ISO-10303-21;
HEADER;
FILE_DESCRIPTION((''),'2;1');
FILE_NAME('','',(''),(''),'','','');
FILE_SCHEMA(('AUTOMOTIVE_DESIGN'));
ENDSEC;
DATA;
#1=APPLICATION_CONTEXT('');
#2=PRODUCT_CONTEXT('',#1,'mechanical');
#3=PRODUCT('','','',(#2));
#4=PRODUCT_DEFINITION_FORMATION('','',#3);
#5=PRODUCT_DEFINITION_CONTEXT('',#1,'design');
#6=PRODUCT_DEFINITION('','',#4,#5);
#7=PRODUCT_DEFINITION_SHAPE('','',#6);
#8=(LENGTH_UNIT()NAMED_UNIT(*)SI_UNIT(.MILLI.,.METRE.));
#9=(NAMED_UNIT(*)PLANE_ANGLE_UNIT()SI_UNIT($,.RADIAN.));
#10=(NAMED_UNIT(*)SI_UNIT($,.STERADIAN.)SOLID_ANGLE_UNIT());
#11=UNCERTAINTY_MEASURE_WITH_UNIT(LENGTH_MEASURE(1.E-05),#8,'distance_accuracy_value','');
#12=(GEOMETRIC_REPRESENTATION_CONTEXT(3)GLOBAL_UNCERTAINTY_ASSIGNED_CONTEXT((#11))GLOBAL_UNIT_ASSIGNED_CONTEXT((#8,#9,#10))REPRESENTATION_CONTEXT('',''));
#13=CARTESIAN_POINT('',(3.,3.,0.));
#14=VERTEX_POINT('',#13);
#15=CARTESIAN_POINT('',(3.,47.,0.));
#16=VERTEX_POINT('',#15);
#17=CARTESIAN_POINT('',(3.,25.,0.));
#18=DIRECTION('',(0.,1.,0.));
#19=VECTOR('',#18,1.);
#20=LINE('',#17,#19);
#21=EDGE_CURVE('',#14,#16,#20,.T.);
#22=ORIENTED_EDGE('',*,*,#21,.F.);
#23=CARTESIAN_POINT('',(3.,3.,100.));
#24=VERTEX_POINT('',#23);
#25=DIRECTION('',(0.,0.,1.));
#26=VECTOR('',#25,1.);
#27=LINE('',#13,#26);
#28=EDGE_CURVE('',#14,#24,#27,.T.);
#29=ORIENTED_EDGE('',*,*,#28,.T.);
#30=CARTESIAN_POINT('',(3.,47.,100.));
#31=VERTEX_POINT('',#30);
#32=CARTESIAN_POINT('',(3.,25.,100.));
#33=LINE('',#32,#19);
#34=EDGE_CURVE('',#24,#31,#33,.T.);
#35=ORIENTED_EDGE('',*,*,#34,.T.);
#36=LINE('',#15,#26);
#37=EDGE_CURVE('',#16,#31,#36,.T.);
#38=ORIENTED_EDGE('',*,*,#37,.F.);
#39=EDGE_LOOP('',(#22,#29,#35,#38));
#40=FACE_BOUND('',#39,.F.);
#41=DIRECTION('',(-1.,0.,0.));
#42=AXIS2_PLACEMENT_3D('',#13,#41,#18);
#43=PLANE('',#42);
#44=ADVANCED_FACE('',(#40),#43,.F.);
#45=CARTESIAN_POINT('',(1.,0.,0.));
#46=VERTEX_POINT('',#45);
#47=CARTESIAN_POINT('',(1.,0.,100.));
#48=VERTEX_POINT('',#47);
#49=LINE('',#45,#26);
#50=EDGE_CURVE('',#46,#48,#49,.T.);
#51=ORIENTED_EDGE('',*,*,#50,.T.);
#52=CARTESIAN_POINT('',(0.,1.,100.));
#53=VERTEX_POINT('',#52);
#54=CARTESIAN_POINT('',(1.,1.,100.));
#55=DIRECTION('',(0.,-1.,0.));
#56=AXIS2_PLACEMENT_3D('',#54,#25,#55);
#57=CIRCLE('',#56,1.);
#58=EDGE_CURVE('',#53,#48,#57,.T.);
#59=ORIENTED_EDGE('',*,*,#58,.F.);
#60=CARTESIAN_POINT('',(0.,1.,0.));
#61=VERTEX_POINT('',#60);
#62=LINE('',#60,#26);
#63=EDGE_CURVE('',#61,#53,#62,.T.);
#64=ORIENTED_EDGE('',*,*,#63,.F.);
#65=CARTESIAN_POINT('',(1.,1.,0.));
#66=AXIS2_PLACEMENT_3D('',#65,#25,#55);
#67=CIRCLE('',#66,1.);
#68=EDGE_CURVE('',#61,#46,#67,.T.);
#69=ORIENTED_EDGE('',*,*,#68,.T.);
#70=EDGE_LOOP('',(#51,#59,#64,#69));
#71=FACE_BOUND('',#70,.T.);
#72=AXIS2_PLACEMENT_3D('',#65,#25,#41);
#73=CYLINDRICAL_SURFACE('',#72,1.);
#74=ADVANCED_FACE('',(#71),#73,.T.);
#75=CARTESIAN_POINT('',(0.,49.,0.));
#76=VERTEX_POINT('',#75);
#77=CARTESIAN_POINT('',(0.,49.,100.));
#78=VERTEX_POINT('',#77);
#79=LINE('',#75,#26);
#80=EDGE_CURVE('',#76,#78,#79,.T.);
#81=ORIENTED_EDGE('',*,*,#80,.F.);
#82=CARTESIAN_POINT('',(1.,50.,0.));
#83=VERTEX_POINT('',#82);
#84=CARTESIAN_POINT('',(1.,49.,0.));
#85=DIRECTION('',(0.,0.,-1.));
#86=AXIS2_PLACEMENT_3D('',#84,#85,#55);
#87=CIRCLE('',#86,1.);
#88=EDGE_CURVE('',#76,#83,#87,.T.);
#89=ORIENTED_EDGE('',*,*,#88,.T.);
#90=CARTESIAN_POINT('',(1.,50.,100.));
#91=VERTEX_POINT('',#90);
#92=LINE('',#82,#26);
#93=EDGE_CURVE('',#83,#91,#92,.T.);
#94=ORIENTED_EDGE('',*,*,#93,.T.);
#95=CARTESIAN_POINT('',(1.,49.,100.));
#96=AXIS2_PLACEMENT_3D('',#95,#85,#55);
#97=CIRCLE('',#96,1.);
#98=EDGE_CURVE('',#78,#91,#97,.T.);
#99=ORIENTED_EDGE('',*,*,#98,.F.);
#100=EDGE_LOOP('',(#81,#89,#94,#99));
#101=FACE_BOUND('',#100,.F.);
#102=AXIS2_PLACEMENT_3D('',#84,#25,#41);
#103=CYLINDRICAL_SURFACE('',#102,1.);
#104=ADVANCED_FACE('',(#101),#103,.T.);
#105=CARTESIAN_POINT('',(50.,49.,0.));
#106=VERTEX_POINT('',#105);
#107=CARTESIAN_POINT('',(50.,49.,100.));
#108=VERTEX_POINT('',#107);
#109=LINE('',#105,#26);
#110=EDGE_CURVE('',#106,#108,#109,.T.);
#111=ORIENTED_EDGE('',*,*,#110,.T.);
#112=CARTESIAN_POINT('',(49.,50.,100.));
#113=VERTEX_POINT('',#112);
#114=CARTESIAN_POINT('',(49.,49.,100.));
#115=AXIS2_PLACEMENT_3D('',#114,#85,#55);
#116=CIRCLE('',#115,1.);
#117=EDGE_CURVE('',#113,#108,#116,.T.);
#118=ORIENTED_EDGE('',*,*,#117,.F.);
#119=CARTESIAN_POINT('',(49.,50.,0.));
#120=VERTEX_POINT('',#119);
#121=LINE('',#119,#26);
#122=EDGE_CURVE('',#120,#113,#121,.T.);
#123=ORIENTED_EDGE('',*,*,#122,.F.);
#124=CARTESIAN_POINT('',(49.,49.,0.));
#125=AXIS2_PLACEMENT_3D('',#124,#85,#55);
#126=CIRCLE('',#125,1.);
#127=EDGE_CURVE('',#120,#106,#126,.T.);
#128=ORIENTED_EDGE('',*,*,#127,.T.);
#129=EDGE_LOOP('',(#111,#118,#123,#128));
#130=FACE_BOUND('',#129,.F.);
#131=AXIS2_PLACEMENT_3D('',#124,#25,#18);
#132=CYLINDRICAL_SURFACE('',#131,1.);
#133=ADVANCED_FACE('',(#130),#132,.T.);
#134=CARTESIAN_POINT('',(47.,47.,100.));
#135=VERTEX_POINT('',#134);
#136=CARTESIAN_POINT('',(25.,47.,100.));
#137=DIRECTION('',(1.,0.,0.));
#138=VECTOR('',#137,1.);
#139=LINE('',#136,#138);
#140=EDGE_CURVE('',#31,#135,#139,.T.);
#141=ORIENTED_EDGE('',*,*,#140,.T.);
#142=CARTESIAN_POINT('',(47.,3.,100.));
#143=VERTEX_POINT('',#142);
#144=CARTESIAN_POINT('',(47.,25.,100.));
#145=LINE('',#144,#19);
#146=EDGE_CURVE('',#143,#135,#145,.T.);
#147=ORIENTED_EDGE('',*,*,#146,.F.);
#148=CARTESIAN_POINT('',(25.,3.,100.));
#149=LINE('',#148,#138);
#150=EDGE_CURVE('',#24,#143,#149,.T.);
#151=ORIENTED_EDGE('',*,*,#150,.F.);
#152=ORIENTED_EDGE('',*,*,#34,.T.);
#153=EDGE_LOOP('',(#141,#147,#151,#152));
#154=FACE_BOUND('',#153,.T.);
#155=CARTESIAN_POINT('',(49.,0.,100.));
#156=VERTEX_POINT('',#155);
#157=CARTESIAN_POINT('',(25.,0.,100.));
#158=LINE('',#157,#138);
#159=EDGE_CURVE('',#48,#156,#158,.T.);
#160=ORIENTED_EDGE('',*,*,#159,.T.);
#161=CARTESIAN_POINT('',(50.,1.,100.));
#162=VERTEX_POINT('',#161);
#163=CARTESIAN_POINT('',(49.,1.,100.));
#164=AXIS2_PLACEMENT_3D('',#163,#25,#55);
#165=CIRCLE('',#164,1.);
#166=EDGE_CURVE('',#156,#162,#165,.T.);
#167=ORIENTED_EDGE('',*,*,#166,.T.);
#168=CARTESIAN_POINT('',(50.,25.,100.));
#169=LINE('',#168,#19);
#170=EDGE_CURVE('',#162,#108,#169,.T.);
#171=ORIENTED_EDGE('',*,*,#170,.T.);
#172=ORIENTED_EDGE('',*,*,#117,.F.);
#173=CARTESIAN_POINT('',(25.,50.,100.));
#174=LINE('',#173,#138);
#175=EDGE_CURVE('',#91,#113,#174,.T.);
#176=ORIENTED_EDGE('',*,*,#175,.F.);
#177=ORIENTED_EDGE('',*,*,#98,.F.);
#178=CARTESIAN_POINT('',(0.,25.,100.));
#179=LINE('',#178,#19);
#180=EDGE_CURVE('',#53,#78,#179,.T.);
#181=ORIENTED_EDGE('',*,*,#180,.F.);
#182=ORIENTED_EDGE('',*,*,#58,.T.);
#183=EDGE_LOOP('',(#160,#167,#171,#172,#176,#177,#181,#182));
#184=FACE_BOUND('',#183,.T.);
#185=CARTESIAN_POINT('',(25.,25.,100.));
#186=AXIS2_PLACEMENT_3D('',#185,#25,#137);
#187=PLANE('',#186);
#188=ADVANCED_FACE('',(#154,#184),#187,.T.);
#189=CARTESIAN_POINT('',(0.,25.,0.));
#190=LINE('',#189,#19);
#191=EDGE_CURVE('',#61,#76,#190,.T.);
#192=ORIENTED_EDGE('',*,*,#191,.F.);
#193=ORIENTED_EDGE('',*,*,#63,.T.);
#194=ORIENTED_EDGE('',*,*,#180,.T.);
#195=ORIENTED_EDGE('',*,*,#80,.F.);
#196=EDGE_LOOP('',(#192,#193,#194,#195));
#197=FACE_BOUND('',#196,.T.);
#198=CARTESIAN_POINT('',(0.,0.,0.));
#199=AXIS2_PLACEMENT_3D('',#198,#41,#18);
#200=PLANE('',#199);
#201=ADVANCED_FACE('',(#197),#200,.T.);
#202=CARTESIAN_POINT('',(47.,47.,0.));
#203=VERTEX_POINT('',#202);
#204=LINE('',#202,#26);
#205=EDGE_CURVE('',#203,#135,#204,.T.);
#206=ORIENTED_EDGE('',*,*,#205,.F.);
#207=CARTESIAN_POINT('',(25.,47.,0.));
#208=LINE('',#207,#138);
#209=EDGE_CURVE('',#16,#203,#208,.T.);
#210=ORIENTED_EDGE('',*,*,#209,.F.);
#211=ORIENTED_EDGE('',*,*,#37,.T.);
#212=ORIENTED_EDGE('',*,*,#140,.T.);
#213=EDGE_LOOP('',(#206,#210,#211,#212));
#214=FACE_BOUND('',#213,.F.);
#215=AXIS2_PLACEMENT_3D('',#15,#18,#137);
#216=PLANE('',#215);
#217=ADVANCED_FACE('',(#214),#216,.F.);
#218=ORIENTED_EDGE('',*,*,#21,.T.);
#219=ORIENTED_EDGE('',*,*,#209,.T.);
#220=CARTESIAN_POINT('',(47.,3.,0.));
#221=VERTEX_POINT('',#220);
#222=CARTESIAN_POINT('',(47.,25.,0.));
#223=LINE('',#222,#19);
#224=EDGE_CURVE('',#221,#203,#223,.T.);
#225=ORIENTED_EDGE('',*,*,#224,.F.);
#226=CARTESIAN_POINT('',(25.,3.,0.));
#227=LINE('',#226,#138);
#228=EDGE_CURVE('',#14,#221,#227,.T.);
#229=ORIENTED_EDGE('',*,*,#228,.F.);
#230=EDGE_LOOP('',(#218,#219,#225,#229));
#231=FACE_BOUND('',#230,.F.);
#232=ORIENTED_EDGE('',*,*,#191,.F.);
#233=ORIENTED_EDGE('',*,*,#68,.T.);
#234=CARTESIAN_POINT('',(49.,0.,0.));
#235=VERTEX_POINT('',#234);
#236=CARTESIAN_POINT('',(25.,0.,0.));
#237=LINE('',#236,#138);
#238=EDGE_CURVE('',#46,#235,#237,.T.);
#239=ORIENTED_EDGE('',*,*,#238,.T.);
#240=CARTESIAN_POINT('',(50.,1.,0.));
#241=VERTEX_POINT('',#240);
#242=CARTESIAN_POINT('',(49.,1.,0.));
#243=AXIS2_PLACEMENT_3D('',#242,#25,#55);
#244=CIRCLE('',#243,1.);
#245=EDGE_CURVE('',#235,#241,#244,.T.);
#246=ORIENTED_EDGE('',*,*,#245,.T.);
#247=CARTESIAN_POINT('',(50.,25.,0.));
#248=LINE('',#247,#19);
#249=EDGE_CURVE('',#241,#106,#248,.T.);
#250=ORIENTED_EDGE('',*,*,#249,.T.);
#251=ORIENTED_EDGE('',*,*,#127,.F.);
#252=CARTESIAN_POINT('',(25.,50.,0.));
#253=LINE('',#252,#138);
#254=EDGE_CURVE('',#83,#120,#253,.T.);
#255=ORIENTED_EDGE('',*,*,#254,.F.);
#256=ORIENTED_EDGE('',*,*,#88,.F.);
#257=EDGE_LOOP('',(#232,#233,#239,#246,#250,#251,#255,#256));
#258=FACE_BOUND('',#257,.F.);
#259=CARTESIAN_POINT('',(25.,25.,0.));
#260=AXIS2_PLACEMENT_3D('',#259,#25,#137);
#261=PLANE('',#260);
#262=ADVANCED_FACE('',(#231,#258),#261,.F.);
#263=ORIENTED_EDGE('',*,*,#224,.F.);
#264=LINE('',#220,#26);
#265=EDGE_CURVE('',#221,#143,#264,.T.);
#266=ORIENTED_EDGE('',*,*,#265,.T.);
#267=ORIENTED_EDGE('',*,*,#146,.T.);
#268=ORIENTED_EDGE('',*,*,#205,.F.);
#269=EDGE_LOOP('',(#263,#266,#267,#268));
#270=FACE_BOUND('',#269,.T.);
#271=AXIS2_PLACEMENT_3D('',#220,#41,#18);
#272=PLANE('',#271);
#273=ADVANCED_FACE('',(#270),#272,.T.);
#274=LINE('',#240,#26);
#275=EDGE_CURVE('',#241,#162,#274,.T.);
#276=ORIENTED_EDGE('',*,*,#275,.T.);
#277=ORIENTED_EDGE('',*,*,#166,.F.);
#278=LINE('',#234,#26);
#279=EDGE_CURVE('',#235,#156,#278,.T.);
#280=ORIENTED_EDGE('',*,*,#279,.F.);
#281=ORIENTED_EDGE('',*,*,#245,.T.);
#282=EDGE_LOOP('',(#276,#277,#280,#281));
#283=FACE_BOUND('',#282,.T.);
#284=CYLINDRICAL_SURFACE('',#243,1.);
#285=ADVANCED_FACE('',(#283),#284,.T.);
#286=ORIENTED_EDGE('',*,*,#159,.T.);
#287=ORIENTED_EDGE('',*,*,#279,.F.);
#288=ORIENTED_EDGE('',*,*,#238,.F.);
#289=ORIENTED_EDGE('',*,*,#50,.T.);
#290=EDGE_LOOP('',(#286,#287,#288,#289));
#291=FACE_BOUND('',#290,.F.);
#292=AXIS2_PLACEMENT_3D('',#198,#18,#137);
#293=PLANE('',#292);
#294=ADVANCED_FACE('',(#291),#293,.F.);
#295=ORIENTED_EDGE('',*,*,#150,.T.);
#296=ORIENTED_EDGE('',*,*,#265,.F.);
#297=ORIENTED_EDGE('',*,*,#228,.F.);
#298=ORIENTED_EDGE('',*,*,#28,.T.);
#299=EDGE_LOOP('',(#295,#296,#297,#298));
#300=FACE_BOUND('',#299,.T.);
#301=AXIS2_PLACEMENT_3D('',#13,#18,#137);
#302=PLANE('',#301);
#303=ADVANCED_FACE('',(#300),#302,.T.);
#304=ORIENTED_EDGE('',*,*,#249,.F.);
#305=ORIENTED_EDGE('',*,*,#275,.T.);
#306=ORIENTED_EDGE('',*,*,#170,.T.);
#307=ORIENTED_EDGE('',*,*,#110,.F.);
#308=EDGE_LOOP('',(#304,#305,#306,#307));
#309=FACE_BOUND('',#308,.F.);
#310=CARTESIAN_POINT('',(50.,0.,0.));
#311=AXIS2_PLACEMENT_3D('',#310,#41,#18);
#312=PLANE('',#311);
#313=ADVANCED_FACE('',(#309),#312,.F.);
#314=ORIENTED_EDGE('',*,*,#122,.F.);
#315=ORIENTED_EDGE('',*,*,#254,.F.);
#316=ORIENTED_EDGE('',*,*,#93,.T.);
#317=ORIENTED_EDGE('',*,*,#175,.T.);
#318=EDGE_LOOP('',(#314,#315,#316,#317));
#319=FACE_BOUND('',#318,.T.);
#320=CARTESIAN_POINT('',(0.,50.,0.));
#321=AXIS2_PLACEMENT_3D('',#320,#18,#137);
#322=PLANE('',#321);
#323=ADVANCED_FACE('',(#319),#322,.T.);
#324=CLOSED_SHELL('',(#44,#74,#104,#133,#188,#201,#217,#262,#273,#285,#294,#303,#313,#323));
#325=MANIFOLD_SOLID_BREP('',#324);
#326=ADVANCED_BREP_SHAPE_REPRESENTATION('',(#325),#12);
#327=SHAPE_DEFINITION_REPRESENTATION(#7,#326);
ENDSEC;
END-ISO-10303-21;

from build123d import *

# Parameters (mm, degrees)
SKETCH_W   = 50
SKETCH_H   = 50
SKETCH_W_2 = 44
SKETCH_H_2 = 44
PAD_DEPTH  = 100
FILLET_R   = 1


with BuildPart() as part:
    # Sketch → Pad (new body)
    with BuildSketch(Plane.XY):
        with Locations((25, 25)):
            Rectangle(SKETCH_W, SKETCH_H)
        with Locations((25, 25)):
            Rectangle(SKETCH_W_2, SKETCH_H_2, mode=Mode.SUBTRACT)
    extrude(amount=PAD_DEPTH)

    # Fillet
    fillet_edges = [part.edges().sort_by_distance(p)[0] for p in [
        (0, 50, 50),
        (50, 50, 50),
        (50, 0, 50),
        (0, 0, 50),
    ]]
    fillet(fillet_edges, radius=FILLET_R)


solid = part.part
